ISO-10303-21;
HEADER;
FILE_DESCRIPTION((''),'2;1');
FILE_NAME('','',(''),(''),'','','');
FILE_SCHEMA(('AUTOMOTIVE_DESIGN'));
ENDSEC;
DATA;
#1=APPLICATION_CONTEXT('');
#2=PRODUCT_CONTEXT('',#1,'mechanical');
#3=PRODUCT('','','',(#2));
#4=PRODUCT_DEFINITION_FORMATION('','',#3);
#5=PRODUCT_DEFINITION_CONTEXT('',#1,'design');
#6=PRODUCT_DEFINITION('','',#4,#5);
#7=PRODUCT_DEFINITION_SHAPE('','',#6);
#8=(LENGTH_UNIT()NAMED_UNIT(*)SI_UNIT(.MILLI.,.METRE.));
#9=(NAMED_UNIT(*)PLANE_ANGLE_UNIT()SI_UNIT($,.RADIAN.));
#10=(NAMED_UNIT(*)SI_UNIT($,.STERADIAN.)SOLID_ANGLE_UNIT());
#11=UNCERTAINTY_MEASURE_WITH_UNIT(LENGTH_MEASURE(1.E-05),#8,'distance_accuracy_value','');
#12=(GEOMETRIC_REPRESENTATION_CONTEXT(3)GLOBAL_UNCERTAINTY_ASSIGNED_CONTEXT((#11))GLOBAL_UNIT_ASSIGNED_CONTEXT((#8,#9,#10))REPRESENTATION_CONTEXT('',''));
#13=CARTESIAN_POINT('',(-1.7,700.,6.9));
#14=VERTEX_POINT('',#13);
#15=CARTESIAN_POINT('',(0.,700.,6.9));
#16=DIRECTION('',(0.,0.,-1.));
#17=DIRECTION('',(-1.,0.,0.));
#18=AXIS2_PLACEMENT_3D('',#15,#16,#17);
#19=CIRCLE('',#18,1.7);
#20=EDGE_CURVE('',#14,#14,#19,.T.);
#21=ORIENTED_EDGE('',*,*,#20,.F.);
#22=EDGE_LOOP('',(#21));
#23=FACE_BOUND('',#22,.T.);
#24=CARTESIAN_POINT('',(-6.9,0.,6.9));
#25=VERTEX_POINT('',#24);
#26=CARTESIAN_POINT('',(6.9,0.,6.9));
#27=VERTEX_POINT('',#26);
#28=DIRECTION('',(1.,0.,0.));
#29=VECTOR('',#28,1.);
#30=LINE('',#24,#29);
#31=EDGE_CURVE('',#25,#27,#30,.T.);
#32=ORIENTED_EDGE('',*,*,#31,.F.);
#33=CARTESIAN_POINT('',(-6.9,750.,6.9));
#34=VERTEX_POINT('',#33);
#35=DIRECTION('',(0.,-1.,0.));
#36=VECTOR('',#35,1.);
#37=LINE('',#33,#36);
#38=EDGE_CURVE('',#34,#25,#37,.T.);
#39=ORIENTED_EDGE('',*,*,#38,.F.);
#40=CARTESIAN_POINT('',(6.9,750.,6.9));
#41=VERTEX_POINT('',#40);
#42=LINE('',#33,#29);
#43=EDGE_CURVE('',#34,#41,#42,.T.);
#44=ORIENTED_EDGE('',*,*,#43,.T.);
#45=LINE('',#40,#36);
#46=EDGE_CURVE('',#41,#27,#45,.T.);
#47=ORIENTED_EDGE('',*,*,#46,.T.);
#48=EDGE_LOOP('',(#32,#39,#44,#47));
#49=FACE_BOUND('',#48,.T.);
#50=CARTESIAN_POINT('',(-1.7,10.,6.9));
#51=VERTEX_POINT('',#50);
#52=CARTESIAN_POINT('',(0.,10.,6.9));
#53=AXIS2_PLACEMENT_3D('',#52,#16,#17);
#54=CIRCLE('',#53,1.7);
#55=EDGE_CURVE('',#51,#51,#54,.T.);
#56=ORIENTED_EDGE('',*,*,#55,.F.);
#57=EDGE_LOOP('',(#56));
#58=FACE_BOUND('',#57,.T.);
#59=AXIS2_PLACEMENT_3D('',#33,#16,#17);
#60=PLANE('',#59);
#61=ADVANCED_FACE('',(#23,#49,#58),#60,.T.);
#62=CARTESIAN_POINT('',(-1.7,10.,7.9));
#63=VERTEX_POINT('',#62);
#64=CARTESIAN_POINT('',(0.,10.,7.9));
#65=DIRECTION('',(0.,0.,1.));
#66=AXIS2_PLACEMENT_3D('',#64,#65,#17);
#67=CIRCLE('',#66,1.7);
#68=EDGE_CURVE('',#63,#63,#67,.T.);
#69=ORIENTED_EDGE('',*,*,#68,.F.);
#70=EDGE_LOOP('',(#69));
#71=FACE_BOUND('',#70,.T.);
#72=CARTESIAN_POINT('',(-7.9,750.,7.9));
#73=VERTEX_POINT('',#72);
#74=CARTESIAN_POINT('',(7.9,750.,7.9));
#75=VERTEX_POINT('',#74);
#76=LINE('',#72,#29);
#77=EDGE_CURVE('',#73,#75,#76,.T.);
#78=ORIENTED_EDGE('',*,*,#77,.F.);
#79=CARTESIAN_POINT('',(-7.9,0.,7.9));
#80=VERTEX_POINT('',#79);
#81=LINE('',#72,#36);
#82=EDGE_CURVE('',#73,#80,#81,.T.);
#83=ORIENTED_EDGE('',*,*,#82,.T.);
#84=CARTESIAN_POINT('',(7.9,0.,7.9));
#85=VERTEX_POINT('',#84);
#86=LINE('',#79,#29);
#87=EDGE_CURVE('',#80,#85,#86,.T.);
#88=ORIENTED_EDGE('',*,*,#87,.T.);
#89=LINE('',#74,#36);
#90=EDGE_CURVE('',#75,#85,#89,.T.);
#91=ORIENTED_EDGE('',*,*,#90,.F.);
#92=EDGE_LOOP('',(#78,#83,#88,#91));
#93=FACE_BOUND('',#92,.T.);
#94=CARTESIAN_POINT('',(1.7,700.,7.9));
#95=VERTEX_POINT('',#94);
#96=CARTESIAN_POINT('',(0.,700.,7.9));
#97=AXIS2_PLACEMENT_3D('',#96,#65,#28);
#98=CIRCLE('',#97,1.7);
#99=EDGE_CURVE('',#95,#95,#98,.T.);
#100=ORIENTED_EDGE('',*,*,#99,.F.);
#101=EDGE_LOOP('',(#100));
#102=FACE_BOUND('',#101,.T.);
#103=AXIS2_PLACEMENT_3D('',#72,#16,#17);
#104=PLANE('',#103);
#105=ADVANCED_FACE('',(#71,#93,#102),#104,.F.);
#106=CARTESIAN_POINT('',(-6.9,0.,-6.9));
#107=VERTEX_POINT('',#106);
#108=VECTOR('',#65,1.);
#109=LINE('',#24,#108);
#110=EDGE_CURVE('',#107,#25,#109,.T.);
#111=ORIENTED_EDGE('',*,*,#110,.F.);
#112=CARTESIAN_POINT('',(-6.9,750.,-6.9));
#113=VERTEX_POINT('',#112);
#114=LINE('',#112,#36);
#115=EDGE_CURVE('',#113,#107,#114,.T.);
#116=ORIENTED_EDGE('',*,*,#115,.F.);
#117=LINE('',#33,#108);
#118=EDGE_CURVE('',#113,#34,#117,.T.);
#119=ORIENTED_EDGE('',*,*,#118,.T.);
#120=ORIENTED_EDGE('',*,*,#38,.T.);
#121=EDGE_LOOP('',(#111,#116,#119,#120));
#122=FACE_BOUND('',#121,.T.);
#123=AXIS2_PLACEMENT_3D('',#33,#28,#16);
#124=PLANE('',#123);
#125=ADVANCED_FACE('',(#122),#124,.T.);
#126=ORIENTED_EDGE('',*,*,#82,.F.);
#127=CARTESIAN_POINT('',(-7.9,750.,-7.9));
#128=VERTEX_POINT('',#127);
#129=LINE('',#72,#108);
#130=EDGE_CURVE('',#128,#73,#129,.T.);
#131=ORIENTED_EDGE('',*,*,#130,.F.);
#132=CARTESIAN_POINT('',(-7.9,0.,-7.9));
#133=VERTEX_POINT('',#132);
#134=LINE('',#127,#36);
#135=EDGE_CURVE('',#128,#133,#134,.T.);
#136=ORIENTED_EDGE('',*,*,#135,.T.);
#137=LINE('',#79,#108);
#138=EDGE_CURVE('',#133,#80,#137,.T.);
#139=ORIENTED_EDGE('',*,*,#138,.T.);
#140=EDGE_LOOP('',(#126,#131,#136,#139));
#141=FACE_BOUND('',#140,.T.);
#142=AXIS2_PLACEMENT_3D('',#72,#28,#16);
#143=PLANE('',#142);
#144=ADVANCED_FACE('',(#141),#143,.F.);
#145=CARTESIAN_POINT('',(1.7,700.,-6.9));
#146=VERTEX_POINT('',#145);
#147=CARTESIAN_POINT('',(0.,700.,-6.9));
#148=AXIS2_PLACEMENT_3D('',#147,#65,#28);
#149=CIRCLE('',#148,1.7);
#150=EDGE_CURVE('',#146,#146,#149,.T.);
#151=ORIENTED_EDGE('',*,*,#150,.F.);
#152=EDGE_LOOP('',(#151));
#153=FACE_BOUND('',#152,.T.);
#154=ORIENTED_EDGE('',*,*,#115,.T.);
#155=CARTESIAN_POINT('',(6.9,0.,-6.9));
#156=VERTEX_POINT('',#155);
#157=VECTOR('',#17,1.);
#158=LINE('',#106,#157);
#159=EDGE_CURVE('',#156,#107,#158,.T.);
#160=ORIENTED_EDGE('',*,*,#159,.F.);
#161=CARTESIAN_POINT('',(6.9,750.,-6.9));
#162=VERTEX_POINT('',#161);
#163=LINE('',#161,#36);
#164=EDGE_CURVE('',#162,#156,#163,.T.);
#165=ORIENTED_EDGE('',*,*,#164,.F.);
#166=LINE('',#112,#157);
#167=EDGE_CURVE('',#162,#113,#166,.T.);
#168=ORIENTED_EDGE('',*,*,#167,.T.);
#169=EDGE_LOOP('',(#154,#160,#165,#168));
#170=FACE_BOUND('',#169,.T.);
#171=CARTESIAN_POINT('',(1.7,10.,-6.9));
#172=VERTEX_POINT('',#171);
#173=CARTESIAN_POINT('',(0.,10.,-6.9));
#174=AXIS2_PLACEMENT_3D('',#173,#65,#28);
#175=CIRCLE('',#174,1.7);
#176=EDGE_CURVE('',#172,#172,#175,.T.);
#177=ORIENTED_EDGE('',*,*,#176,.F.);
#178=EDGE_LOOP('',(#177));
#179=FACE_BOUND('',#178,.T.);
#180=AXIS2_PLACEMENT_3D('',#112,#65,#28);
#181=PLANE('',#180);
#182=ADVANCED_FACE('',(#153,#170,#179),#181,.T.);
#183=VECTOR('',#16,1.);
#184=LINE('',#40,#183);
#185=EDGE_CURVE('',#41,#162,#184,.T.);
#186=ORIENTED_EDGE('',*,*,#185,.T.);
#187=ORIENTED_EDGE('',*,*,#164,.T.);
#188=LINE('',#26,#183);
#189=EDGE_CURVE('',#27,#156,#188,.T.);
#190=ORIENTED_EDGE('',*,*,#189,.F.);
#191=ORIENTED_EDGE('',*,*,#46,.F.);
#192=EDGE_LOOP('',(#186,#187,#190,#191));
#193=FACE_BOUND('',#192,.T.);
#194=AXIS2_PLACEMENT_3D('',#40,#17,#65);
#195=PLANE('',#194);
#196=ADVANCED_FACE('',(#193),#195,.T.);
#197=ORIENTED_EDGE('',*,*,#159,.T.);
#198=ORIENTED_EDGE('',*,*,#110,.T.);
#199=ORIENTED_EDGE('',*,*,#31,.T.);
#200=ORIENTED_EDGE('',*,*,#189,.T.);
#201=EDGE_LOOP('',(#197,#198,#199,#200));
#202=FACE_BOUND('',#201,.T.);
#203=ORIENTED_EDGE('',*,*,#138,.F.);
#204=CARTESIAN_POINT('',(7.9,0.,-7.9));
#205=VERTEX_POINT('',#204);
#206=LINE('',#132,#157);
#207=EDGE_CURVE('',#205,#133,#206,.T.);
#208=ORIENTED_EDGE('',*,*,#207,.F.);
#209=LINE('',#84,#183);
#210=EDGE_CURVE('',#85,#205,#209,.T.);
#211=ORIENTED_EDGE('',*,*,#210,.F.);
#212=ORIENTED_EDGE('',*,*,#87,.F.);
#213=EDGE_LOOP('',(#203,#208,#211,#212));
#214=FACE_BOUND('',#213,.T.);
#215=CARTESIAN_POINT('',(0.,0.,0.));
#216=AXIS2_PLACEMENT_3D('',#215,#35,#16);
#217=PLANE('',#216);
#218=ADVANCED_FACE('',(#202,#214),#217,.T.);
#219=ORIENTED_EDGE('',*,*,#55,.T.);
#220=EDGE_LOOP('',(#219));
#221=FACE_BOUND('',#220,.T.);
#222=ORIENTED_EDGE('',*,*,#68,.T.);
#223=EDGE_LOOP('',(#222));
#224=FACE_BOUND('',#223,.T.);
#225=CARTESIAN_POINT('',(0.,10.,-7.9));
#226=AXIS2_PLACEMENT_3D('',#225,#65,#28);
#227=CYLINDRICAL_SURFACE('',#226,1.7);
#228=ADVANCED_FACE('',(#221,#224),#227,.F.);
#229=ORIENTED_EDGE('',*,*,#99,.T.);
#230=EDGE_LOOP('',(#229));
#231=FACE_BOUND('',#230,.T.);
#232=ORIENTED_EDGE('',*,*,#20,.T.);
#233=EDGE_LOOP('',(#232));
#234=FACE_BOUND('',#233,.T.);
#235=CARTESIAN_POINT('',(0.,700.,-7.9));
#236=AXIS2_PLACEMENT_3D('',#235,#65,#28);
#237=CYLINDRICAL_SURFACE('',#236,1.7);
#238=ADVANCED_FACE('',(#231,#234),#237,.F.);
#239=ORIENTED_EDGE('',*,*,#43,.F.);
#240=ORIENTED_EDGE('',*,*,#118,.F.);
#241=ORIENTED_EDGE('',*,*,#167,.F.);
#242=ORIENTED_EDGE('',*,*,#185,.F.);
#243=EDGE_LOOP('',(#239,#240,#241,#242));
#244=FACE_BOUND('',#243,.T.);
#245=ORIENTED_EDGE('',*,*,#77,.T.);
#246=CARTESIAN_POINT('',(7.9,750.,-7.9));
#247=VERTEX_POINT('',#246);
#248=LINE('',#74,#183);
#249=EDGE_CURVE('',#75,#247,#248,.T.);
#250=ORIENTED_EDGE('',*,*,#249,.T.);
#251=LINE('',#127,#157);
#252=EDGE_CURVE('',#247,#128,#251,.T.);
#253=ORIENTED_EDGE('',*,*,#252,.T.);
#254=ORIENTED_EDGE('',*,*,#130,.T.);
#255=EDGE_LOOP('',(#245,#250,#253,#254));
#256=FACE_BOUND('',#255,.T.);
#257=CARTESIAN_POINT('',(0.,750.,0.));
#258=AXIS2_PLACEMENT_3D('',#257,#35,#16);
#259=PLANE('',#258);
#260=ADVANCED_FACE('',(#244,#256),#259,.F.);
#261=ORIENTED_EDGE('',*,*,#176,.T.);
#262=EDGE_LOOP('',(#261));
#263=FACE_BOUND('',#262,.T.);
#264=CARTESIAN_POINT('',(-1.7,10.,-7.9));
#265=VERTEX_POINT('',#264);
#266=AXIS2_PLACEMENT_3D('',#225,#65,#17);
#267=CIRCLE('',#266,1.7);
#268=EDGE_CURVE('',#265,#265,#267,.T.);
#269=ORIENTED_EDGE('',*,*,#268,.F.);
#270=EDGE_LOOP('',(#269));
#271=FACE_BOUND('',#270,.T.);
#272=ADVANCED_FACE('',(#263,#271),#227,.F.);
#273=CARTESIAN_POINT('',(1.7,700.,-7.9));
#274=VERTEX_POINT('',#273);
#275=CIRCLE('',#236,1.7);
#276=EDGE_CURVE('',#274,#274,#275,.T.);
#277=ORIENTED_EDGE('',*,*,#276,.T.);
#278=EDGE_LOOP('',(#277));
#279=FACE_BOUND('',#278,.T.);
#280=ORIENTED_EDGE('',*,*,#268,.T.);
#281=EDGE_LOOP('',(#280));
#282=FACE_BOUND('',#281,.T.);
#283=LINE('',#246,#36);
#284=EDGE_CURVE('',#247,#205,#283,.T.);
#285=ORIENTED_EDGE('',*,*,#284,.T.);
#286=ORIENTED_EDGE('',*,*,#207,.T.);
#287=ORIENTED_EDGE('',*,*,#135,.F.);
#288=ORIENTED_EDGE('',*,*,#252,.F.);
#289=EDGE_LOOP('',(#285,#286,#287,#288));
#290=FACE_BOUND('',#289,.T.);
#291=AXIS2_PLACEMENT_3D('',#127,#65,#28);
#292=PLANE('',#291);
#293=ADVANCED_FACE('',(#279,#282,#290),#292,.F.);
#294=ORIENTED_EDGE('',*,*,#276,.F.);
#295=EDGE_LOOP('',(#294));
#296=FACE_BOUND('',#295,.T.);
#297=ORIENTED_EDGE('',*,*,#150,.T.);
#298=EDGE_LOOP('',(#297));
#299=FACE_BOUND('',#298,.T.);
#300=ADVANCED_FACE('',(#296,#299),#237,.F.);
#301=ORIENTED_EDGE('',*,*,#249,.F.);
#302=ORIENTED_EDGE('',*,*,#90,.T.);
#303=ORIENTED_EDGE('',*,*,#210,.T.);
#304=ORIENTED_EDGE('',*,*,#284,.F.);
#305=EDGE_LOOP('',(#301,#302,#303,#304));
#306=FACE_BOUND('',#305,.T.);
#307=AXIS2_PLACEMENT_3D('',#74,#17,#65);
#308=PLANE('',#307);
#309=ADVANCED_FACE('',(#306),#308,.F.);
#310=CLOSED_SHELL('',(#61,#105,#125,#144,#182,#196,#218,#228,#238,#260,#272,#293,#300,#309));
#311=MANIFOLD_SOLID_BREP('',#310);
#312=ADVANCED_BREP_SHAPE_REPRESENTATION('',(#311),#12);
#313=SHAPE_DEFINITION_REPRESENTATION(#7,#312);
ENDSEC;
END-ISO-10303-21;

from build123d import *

# Parameters (mm, degrees)
SKETCH1_W           = 15.8
SKETCH1_H           = 15.8
SKETCH1_W_2         = 13.8
SKETCH1_H_2         = 13.8
BOSS_EXTRUDE1_DEPTH = 750
SKETCH3_R           = 1.7
CUT_EXTRUDE1_DEPTH  = 751.208004489


with BuildPart() as part:
    # Sketch1 → Boss-Extrude1 (new body)
    with BuildSketch(Plane(origin=(0, 0, 0), x_dir=(1, 0, 0), z_dir=(0, 1, 0))):
        Rectangle(SKETCH1_W, SKETCH1_H)
        Rectangle(SKETCH1_W_2, SKETCH1_H_2, mode=Mode.SUBTRACT)
    extrude(amount=BOSS_EXTRUDE1_DEPTH)

    # Sketch3 → Cut-Extrude1 (cut, through all)
    with BuildSketch(Plane.XY.offset(7.9)):
        with Locations((0, 10)):
            Circle(SKETCH3_R)
        with Locations((0, 700)):
            Circle(SKETCH3_R)
    extrude(amount=-CUT_EXTRUDE1_DEPTH, mode=Mode.SUBTRACT)


solid = part.part
